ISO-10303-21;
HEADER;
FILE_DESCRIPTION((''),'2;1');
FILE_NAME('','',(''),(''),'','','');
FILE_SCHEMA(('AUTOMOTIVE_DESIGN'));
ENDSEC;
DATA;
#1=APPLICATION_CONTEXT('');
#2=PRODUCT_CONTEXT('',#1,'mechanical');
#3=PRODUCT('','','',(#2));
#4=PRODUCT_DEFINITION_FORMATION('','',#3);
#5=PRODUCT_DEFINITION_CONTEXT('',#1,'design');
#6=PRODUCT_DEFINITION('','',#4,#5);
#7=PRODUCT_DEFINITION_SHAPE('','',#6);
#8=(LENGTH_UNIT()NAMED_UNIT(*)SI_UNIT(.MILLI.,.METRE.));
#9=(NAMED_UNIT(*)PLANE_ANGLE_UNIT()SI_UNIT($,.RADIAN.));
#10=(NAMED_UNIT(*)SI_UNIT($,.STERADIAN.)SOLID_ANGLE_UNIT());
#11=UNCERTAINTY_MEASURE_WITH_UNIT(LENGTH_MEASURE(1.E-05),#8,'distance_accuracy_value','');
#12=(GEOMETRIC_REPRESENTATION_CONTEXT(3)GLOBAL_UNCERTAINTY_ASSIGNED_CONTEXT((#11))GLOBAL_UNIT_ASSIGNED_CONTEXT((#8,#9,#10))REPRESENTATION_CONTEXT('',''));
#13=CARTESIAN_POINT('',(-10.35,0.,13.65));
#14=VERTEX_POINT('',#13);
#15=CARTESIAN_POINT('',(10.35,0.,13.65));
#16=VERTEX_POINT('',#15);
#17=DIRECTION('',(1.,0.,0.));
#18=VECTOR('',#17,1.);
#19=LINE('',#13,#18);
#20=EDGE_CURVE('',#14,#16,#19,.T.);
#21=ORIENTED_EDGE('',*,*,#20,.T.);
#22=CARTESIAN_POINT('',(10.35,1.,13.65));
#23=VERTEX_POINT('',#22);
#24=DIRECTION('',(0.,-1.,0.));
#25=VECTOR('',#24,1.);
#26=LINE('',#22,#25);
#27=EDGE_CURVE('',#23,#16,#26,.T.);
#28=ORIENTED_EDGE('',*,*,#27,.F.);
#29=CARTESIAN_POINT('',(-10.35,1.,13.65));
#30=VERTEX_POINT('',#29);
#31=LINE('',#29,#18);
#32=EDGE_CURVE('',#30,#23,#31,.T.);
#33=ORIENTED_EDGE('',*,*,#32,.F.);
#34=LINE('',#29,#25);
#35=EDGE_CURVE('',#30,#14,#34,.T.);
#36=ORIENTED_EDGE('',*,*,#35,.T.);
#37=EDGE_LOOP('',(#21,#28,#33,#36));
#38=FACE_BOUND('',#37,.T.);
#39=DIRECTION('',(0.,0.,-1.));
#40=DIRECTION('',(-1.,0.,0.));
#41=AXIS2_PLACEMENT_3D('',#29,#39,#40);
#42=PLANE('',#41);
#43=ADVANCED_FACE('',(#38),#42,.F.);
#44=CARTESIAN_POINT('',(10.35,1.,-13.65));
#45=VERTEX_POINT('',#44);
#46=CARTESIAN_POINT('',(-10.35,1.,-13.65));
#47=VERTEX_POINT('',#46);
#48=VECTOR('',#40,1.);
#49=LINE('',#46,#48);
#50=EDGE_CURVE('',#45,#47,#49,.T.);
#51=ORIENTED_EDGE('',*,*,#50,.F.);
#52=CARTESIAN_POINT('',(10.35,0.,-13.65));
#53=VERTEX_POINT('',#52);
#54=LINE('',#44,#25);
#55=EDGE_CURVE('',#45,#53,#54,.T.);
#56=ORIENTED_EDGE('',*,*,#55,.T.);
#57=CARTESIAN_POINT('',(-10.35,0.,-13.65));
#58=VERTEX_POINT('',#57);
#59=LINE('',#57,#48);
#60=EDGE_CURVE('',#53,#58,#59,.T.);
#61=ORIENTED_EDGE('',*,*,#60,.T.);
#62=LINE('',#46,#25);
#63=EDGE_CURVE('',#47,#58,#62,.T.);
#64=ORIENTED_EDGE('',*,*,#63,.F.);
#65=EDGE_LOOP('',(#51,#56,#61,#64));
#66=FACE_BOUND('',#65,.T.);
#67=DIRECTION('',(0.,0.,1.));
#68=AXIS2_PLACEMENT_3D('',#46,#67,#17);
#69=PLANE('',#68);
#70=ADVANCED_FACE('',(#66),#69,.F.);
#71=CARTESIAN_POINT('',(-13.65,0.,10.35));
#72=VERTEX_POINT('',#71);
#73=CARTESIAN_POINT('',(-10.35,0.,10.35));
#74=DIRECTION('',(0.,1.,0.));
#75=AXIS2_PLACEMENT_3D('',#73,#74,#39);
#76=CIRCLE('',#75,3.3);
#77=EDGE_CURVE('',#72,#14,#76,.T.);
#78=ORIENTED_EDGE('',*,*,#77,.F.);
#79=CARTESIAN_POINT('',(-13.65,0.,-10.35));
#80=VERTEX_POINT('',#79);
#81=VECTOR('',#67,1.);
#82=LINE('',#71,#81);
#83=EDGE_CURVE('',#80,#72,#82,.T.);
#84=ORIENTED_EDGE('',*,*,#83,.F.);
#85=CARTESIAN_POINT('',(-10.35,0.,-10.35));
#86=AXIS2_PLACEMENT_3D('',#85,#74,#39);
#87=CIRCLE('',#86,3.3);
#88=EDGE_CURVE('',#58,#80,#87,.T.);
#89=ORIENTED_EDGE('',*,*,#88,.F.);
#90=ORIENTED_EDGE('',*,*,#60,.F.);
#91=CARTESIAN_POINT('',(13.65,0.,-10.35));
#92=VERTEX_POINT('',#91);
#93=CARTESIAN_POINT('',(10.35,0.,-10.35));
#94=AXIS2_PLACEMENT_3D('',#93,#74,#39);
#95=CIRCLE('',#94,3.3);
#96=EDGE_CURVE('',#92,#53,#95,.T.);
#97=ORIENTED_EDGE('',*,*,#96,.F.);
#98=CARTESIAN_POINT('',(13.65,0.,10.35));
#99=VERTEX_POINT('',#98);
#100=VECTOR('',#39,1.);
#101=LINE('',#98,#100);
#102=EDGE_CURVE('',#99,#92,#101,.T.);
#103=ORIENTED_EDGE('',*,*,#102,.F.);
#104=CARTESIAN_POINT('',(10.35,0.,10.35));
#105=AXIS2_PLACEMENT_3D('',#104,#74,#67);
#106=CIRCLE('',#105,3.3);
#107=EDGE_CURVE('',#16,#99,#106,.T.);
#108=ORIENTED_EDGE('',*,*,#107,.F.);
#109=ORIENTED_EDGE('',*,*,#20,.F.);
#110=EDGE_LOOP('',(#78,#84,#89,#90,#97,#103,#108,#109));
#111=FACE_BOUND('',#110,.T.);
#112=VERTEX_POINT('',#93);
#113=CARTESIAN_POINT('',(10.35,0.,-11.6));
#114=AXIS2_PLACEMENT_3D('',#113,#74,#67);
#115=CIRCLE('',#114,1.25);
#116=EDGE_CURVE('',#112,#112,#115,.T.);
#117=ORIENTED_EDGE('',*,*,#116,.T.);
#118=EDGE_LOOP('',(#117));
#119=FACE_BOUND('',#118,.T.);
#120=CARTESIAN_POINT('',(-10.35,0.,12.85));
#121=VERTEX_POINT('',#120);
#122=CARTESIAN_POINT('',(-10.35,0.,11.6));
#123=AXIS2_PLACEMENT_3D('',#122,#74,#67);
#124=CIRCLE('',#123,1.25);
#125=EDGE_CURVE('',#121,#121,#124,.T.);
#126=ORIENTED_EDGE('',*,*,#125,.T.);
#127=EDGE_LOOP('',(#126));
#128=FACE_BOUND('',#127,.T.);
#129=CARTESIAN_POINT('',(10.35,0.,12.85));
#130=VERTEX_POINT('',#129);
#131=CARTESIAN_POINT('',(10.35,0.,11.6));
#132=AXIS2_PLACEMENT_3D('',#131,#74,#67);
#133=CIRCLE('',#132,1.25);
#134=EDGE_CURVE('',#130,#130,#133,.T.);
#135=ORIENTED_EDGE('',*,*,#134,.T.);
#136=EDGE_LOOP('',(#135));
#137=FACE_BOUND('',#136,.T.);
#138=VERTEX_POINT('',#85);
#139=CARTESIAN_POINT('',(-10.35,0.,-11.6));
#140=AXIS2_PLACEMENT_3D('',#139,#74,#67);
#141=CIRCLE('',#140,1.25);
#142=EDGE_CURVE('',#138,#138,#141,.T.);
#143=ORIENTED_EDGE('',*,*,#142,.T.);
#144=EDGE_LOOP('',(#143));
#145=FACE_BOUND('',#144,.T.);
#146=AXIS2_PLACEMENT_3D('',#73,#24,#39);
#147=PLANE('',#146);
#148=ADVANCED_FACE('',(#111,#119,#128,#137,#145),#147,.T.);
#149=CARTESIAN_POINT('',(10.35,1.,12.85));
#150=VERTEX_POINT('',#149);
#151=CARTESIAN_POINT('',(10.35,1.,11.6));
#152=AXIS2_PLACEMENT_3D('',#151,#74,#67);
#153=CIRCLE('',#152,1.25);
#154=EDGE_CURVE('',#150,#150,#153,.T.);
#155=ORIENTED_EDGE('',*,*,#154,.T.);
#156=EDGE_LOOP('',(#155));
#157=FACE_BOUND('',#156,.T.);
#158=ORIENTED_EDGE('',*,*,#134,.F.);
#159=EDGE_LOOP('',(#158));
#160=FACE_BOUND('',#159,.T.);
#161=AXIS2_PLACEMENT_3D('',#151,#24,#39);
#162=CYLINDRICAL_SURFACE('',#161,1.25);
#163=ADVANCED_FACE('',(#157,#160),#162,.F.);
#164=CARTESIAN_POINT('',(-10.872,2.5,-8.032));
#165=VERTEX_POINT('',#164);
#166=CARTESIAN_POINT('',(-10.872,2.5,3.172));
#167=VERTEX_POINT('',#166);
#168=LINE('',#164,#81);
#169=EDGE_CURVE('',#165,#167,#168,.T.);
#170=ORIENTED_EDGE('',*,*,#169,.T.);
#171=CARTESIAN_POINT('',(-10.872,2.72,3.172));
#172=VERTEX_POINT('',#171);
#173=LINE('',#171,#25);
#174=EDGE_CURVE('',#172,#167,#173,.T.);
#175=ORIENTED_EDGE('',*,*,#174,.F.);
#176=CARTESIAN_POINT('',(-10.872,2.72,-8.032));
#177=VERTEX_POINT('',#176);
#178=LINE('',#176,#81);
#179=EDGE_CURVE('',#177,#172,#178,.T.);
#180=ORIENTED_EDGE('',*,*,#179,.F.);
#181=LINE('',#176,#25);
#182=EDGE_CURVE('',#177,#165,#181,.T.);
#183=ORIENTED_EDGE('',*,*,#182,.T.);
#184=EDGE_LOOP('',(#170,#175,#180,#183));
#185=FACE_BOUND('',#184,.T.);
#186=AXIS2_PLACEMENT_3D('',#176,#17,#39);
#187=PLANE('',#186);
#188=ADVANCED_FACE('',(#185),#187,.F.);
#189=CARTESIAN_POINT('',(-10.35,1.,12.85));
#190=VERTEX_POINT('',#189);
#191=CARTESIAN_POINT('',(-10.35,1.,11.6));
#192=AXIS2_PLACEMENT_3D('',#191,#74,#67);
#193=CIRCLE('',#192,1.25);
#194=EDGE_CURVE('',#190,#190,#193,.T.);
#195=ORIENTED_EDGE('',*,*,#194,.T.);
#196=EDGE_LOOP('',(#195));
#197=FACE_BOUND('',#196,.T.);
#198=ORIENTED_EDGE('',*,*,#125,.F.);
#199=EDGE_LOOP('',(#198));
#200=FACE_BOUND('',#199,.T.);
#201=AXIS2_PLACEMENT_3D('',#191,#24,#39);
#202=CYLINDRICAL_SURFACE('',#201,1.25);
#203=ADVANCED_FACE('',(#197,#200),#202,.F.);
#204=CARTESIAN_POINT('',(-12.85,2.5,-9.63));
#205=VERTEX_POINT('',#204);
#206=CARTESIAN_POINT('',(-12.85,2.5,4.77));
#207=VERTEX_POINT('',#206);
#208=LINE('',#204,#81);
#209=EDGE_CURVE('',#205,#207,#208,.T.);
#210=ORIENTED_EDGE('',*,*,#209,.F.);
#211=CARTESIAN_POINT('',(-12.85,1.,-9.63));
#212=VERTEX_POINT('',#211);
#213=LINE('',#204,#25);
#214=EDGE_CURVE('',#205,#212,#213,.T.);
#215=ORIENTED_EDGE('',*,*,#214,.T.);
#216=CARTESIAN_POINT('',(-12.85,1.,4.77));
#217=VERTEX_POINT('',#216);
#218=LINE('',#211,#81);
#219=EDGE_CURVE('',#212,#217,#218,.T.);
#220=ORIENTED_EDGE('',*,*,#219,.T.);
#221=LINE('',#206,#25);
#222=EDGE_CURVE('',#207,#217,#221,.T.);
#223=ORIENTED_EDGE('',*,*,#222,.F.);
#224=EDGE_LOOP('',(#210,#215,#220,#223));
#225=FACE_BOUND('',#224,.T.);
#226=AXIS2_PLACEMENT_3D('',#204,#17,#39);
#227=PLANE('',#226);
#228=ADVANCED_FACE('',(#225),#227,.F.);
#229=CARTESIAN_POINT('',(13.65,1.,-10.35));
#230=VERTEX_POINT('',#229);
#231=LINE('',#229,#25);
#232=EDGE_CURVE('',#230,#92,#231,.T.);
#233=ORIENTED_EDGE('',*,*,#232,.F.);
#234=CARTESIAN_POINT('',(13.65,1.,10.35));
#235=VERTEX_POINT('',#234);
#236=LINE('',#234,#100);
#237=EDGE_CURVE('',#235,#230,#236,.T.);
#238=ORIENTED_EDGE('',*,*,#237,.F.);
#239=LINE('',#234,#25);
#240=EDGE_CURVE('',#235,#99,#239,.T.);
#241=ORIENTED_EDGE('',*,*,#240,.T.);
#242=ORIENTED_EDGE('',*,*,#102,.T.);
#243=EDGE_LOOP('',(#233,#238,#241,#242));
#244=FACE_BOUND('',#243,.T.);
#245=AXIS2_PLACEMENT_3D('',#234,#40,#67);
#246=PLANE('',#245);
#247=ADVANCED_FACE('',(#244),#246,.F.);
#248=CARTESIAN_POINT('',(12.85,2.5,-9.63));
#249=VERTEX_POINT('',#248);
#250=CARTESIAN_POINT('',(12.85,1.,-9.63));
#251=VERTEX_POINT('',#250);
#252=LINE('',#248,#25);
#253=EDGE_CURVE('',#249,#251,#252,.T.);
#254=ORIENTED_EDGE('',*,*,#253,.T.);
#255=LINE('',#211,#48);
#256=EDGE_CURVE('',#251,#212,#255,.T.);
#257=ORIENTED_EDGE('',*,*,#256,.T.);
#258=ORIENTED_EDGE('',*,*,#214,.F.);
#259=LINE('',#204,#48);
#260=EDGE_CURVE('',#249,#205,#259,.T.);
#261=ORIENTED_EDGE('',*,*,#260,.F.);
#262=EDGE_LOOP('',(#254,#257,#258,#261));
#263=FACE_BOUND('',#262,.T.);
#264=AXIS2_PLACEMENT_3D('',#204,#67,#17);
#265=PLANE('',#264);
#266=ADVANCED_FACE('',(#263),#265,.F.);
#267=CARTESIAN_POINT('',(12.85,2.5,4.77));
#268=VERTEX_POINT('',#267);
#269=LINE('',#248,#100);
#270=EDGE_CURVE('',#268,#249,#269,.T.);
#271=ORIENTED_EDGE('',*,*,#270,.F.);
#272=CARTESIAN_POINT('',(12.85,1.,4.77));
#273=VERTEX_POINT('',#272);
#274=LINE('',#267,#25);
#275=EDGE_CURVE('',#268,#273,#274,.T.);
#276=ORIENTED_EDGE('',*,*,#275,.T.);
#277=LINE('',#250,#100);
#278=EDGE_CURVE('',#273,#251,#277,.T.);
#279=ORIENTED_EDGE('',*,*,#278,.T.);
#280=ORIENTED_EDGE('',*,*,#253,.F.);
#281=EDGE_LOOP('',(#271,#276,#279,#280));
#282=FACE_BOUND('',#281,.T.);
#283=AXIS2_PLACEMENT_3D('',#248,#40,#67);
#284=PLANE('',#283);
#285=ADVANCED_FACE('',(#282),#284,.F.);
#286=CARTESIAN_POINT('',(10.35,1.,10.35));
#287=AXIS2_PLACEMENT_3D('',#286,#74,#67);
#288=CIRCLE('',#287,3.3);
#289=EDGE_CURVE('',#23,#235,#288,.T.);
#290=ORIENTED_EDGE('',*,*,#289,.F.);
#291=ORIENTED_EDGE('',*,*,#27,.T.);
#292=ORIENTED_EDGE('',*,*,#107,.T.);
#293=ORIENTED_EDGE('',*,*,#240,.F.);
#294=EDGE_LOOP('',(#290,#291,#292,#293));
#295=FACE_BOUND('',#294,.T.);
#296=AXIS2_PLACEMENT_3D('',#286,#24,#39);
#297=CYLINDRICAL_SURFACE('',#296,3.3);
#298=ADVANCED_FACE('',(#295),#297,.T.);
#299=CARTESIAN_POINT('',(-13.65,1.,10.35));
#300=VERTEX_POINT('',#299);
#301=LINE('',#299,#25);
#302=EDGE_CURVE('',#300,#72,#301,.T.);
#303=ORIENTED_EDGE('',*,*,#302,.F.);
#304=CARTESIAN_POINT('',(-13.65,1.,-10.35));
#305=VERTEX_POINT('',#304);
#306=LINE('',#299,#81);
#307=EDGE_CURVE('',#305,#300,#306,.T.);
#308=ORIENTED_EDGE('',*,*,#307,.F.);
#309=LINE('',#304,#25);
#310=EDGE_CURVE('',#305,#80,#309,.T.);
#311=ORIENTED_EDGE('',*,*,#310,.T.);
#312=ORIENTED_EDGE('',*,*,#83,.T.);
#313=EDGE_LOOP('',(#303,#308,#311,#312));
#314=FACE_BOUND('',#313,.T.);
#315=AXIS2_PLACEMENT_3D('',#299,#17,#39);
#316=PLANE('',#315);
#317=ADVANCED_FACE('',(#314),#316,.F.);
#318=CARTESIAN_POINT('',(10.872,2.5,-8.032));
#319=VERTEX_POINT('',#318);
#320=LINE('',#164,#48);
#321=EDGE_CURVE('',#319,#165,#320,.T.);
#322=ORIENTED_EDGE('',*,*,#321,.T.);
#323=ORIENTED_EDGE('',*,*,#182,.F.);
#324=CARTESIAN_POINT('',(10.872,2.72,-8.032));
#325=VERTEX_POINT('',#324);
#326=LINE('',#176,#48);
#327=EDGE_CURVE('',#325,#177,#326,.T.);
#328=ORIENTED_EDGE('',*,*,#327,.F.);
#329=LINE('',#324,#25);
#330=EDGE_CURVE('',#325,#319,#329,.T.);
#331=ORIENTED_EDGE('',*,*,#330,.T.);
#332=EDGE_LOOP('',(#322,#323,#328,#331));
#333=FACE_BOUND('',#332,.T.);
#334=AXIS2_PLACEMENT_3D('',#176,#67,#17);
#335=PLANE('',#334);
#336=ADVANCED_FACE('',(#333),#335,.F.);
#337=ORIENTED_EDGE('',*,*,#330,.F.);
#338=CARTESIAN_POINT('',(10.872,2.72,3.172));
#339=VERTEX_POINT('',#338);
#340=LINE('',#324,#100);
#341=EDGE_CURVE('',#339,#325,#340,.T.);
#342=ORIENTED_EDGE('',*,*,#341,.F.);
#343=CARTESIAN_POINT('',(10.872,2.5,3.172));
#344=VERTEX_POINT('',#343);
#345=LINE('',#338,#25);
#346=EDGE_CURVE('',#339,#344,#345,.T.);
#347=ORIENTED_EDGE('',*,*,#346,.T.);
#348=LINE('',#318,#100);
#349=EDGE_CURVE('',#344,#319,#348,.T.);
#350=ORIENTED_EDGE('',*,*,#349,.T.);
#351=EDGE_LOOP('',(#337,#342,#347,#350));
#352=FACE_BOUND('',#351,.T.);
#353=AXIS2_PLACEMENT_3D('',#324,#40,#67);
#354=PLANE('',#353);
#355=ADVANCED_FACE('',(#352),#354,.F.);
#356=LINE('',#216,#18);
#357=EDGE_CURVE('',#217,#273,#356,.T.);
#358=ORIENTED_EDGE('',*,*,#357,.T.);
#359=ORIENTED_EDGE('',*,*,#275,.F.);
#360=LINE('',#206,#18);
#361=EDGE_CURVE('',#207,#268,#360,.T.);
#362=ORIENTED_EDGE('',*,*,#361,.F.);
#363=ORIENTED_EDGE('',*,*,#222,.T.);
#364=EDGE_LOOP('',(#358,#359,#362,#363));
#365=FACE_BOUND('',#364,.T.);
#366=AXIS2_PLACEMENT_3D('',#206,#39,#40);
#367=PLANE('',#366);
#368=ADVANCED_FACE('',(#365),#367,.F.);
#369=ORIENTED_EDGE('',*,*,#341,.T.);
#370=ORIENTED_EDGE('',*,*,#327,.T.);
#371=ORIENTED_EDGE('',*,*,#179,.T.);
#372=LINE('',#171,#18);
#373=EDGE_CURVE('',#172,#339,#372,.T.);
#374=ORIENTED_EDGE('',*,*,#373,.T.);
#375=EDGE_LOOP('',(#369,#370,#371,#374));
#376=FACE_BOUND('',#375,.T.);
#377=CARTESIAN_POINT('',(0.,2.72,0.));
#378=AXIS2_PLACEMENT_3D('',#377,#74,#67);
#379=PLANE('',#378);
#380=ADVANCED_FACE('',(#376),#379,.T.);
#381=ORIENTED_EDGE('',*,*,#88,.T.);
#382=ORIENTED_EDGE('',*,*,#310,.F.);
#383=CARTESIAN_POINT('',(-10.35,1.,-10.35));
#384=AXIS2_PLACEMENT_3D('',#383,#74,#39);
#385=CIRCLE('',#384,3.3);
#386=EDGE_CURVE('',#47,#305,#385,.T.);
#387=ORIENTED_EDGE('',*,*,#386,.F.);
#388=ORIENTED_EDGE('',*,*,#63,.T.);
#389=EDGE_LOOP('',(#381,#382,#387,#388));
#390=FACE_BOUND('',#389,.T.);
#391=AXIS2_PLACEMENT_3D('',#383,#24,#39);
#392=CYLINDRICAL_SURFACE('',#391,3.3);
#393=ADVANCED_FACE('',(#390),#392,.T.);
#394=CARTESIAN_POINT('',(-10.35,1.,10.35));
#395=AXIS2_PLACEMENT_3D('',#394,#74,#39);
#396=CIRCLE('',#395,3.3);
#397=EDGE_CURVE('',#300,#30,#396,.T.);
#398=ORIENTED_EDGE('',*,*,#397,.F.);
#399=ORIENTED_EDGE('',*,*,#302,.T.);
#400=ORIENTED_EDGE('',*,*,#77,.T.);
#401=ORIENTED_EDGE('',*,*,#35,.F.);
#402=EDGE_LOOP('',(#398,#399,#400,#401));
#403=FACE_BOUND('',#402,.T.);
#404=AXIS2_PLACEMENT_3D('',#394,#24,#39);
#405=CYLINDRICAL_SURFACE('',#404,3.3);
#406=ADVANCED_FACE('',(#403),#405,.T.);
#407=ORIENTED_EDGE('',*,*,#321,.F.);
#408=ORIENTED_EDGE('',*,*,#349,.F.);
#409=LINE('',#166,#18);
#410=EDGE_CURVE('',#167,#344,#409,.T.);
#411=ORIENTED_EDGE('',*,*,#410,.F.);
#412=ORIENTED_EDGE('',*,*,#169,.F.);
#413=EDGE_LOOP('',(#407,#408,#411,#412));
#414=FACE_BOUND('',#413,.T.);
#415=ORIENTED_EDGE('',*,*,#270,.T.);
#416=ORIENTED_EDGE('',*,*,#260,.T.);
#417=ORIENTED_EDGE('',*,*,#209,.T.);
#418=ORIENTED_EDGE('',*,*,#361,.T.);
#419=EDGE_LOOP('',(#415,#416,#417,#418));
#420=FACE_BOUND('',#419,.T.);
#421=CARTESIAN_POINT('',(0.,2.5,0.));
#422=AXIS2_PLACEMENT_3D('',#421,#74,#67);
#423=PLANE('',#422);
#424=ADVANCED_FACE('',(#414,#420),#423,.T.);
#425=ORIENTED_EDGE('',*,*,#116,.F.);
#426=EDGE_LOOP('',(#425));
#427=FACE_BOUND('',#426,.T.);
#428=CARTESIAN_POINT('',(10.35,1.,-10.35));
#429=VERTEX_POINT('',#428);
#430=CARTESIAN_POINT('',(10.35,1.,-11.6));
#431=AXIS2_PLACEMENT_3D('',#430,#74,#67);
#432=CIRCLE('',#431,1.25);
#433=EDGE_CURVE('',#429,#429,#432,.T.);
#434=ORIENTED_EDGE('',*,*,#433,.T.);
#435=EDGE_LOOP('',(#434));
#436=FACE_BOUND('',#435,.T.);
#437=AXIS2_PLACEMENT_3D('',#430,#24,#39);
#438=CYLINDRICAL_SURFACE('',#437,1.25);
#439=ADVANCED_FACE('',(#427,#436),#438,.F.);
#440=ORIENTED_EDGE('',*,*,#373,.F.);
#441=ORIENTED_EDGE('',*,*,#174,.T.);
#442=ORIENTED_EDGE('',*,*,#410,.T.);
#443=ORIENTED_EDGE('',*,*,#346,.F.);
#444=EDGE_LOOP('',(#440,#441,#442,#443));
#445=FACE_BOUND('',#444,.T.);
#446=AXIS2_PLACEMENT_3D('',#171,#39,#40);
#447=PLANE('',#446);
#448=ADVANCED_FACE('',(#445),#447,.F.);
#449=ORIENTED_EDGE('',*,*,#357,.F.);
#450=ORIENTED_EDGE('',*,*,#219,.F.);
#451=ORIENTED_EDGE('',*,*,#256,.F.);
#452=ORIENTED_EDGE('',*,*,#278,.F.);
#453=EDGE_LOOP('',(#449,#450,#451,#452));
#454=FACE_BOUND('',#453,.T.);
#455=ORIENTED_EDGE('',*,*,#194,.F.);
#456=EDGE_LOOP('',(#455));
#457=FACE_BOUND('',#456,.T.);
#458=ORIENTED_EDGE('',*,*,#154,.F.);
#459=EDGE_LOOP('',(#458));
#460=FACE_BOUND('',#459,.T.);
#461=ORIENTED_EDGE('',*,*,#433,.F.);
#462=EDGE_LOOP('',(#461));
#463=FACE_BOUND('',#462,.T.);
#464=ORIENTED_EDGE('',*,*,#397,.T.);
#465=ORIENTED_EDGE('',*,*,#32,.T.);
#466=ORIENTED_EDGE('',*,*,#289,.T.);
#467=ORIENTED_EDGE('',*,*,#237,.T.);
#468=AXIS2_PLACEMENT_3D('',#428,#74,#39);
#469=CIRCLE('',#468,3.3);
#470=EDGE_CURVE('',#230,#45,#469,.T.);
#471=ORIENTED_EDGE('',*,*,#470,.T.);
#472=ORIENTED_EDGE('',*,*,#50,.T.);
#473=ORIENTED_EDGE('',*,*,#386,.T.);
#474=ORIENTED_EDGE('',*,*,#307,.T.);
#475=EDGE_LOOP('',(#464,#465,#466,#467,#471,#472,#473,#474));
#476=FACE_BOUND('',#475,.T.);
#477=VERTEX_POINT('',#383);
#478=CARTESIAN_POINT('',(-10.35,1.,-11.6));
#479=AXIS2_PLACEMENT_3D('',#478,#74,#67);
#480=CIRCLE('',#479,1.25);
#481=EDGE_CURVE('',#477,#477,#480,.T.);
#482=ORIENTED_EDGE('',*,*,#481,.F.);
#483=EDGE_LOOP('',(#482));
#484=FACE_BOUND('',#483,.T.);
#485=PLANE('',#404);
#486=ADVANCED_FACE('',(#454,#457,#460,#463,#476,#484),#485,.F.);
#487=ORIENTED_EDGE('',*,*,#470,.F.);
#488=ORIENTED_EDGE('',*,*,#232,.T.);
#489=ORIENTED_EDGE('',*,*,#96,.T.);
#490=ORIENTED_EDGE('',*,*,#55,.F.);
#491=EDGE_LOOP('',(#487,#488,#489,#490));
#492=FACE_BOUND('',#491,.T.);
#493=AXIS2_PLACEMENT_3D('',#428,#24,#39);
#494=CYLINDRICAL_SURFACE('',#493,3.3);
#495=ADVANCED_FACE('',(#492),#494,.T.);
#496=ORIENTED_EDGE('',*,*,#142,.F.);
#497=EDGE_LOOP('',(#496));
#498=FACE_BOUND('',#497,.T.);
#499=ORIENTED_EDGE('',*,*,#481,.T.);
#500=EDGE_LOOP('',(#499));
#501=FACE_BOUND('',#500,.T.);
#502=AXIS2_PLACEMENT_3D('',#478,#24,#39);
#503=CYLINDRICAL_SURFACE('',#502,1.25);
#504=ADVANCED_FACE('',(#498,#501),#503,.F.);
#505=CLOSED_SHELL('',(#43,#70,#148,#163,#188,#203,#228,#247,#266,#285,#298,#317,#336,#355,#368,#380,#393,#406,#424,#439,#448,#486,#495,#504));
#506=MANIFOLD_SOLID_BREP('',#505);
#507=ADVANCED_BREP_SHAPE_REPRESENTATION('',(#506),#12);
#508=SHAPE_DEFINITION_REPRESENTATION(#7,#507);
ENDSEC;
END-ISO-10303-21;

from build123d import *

# Parameters (mm, degrees)
SKETCH1_R           = 1.25
BOSS_EXTRUDE1_DEPTH = 1
SKETCH2_W           = 25.7
SKETCH2_H           = 14.4
BOSS_EXTRUDE2_DEPTH = 1.5
SKETCH4_W           = 21.744
SKETCH4_H           = 11.204
BOSS_EXTRUDE3_DEPTH = 0.22


with BuildPart() as part:
    # Sketch1 → Boss-Extrude1 (new body)
    with BuildSketch(Plane(origin=(0, 0, 0), x_dir=(1, 0, 0), z_dir=(0, 1, 0))):
        with BuildLine():
            Line((-10.35, -13.65), (10.35, -13.65))
            ThreePointArc((10.35, -13.65), (12.683452378, -12.683452378), (13.65, -10.35))
            Line((13.65, -10.35), (13.65, 10.35))
            ThreePointArc((13.65, 10.35), (12.683452378, 12.683452378), (10.35, 13.65))
            Line((10.35, 13.65), (-10.35, 13.65))
            ThreePointArc((-10.35, 13.65), (-12.683452378, 12.683452378), (-13.65, 10.35))
            Line((-13.65, 10.35), (-13.65, -10.35))
            ThreePointArc((-13.65, -10.35), (-12.683452378, -12.683452378), (-10.35, -13.65))
        make_face()
        with Locations(Location((-10.35, 11.6, 0), (0, 0, 270))):
            Circle(SKETCH1_R, mode=Mode.SUBTRACT)
        with Locations(Location((10.35, 11.6, 0), (0, 0, 270))):
            Circle(SKETCH1_R, mode=Mode.SUBTRACT)
        with Locations(Location((10.35, -11.6, 0), (0, 0, 270))):
            Circle(SKETCH1_R, mode=Mode.SUBTRACT)
        with Locations(Location((-10.35, -11.6, 0), (0, 0, 270))):
            Circle(SKETCH1_R, mode=Mode.SUBTRACT)
    extrude(amount=BOSS_EXTRUDE1_DEPTH)

    # Sketch2 → Boss-Extrude2 (add)
    with BuildSketch(Plane(origin=(0, 1, 0), x_dir=(1, 0, 0), z_dir=(0, 1, 0))):
        with Locations((0, 2.43)):
            Rectangle(SKETCH2_W, SKETCH2_H)
    extrude(amount=BOSS_EXTRUDE2_DEPTH)

    # Sketch4 → Boss-Extrude3 (add)
    with BuildSketch(Plane(origin=(0, 2.5, 0), x_dir=(1, 0, 0), z_dir=(0, 1, 0))):
        with Locations((0, 2.43)):
            Rectangle(SKETCH4_W, SKETCH4_H)
    extrude(amount=BOSS_EXTRUDE3_DEPTH)


solid = part.part
